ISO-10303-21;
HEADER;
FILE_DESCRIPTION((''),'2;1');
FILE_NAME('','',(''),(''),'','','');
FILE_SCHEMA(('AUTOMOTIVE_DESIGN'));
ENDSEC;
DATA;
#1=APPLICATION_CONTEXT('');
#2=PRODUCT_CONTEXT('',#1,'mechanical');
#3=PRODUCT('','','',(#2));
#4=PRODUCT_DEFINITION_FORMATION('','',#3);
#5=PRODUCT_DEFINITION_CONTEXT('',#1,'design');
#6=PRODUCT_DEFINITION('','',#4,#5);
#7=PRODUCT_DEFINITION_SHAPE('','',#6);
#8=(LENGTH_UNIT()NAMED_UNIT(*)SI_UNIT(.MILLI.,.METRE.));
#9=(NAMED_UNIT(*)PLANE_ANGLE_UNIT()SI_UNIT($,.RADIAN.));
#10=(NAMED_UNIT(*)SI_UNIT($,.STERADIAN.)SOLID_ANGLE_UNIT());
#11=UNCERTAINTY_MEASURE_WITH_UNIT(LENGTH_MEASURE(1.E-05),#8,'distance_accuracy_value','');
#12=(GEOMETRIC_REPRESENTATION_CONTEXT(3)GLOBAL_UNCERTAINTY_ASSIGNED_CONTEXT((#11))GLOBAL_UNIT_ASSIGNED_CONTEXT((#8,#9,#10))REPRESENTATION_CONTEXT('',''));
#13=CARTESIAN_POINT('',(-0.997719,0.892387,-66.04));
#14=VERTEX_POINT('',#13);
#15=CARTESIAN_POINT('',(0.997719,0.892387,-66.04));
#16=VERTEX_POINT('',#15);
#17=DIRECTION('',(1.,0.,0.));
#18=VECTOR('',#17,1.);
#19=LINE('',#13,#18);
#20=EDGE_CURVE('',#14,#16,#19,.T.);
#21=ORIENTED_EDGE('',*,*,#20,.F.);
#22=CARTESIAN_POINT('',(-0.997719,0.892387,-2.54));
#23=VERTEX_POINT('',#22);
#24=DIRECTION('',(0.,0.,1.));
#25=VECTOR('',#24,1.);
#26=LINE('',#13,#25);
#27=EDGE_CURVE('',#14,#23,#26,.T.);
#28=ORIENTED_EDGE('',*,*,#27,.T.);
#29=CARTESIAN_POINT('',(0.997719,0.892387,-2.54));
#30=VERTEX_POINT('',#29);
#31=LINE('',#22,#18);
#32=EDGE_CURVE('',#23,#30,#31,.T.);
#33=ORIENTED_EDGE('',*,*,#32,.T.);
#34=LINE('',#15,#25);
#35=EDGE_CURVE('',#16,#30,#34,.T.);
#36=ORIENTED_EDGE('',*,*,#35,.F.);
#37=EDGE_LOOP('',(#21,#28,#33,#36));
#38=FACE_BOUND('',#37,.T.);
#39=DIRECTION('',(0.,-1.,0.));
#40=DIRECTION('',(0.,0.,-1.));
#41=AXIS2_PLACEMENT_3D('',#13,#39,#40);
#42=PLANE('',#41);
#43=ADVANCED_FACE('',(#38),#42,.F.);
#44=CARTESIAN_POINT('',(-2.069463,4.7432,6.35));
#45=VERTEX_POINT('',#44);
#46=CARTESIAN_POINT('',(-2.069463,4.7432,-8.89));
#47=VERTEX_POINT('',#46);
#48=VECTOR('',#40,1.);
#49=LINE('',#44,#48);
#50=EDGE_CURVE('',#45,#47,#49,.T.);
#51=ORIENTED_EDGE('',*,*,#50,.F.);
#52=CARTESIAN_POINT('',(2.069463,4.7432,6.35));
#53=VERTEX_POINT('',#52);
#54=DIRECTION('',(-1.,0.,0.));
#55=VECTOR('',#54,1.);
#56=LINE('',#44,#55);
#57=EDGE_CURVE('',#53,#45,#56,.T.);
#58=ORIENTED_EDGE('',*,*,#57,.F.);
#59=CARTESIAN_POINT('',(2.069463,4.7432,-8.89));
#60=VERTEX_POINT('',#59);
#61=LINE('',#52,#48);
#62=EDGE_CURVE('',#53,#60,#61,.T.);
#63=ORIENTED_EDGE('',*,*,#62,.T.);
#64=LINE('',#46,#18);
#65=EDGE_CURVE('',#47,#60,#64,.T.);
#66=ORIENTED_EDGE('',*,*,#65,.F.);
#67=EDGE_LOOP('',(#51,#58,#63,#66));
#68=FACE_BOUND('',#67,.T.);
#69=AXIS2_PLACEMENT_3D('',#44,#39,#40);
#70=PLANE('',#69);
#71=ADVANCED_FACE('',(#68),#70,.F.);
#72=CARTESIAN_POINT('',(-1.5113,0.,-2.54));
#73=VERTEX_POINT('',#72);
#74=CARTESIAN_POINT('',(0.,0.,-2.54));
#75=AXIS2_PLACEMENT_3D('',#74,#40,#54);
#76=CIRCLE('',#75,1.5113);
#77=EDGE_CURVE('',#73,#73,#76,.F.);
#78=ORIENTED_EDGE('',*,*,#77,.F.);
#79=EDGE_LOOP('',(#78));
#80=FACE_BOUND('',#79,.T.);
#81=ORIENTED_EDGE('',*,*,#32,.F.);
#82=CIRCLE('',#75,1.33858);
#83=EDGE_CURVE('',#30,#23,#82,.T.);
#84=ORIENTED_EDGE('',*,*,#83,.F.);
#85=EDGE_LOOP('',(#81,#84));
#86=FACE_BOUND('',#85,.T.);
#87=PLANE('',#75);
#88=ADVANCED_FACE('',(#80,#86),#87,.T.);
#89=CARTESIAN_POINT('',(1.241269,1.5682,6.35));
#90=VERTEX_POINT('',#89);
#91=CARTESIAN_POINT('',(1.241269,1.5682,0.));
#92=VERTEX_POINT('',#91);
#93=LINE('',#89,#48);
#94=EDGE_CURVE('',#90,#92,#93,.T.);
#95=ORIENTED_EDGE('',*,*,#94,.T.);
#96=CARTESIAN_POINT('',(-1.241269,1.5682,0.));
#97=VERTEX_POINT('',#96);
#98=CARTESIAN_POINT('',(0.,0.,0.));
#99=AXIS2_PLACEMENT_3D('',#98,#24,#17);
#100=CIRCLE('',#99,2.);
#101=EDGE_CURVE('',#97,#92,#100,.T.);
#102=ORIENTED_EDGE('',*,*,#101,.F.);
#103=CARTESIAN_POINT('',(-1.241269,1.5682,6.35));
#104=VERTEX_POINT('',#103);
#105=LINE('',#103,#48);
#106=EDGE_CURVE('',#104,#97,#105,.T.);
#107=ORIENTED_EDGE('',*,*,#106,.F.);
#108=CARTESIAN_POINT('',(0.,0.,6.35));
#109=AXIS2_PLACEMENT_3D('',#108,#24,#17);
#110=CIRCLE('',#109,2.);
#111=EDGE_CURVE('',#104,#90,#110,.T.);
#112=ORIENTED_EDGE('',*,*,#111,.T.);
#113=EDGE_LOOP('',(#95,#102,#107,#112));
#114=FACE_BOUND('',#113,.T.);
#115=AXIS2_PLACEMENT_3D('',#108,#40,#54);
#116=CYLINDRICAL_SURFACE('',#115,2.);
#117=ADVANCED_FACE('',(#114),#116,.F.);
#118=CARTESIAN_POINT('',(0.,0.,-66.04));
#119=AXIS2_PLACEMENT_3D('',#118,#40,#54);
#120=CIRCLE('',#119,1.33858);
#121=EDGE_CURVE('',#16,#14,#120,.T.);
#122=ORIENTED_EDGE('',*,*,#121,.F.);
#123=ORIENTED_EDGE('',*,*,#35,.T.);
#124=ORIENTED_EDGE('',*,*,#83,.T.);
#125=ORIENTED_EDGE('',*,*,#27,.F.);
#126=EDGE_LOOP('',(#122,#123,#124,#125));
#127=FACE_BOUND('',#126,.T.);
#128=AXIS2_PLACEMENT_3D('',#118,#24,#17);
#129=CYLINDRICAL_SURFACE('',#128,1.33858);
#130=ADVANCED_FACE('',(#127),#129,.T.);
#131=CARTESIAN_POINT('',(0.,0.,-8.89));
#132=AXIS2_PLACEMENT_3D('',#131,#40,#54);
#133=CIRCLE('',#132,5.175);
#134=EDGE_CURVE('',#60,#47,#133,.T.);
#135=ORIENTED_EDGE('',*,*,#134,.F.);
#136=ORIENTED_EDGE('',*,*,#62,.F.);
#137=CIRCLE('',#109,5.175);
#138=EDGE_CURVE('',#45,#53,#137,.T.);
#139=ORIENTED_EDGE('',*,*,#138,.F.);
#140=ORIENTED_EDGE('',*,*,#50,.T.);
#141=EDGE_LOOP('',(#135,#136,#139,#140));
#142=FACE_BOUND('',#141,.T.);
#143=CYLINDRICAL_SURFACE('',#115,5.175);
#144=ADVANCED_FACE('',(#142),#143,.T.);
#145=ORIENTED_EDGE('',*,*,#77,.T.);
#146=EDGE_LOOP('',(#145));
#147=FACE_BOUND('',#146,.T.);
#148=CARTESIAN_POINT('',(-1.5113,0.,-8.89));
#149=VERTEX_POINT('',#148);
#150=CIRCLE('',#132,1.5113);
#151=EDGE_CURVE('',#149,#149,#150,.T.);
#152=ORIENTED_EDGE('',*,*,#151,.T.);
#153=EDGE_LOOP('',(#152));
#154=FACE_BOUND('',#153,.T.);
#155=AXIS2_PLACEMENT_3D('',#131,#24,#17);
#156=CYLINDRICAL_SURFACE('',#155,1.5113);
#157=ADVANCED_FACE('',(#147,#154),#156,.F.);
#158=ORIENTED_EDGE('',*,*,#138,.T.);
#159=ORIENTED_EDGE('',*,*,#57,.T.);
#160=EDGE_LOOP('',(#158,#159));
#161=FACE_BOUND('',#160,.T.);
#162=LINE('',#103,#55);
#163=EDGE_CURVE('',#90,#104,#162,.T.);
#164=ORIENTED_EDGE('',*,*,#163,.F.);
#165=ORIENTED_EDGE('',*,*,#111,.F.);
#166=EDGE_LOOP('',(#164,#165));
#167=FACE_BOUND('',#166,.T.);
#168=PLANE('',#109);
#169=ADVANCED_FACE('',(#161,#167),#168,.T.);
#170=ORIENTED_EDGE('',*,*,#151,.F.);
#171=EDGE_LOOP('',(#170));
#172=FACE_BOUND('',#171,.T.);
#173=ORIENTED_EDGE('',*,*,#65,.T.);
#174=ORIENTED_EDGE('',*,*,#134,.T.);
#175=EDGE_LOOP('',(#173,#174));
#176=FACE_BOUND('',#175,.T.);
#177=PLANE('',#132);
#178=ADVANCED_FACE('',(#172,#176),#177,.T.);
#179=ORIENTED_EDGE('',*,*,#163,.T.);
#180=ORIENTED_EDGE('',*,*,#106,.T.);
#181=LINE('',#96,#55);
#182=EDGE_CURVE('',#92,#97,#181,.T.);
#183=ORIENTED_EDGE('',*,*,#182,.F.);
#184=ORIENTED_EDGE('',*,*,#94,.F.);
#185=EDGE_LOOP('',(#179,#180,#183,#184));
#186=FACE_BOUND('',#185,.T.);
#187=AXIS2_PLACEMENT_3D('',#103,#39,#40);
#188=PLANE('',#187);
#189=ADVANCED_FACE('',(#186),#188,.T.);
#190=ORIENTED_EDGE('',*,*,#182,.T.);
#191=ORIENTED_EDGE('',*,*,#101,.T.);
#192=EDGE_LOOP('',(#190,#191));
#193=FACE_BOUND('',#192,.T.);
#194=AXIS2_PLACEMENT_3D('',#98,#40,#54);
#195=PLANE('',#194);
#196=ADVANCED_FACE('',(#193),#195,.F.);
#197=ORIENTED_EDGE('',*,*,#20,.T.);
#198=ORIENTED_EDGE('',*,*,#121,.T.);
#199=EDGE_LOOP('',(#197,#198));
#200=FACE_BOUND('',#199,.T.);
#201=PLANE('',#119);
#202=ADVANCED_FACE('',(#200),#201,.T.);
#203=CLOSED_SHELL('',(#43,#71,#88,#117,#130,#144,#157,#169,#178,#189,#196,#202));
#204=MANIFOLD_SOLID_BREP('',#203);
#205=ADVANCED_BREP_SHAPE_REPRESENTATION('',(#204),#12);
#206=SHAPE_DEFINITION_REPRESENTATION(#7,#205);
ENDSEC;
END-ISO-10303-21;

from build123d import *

# Parameters (mm, degrees)
BOSS_EXTRUDE1_DEPTH = 6.35
BOSS_EXTRUDE2_START = 2.54
BOSS_EXTRUDE2_DEPTH = 2.54
BOSS_EXTRUDE4_START = 6.35
SKETCH4_R           = 1.5113
BOSS_EXTRUDE4_DEPTH = 6.35
BOSS_EXTRUDE3_DEPTH = 63.5


with BuildPart() as part:
    # Sketch1 → Boss-Extrude1 (new body)
    with BuildSketch(Plane.XY):
        with BuildLine():
            Line((-2.069463106, 4.743200128), (2.069463106, 4.743200128))
            ThreePointArc((2.069463106, 4.743200128), (0, -5.175), (-2.069463106, 4.743200128))
        make_face()
        with BuildLine():
            Line((-1.24126885, 1.568200128), (1.24126885, 1.568200128))
            ThreePointArc((1.24126885, 1.568200128), (0, -2), (-1.24126885, 1.568200128))
        make_face(mode=Mode.SUBTRACT)
    extrude(amount=BOSS_EXTRUDE1_DEPTH)

    # Sketch3 → Boss-Extrude2 (add)
    with BuildSketch(Plane(origin=(0, 0, 0), x_dir=(-1, 0, 0), z_dir=(0, 0, -1)).offset(BOSS_EXTRUDE2_START)):
        with BuildLine():
            Line((-2.069463106, 4.743200128), (2.069463106, 4.743200128))
            ThreePointArc((2.069463106, 4.743200128), (0, -5.175), (-2.069463106, 4.743200128))
        make_face()
    extrude(amount=-BOSS_EXTRUDE2_DEPTH)

    # Sketch4 → Boss-Extrude4 (add)
    with BuildSketch(Plane(origin=(0, 0, -2.54), x_dir=(-1, 0, 0), z_dir=(0, 0, -1)).offset(BOSS_EXTRUDE4_START)):
        with BuildLine():
            Line((2.069463106, 4.743200128), (-2.069463106, 4.743200128))
            ThreePointArc((-2.069463106, 4.743200128), (0, -5.175), (2.069463106, 4.743200128))
        make_face()
        Circle(SKETCH4_R, mode=Mode.SUBTRACT)
    extrude(amount=-BOSS_EXTRUDE4_DEPTH)

    # Sketch2 → Boss-Extrude3 (add)
    with BuildSketch(Plane(origin=(0, 0, -2.54), x_dir=(-1, 0, 0), z_dir=(0, 0, -1))):
        with BuildLine():
            Line((0.997718624, 0.892386667), (-0.997718624, 0.892386667))
            ThreePointArc((-0.997718624, 0.892386667), (0, -1.33858), (0.997718624, 0.892386667))
        make_face()
    extrude(amount=BOSS_EXTRUDE3_DEPTH)


solid = part.part
